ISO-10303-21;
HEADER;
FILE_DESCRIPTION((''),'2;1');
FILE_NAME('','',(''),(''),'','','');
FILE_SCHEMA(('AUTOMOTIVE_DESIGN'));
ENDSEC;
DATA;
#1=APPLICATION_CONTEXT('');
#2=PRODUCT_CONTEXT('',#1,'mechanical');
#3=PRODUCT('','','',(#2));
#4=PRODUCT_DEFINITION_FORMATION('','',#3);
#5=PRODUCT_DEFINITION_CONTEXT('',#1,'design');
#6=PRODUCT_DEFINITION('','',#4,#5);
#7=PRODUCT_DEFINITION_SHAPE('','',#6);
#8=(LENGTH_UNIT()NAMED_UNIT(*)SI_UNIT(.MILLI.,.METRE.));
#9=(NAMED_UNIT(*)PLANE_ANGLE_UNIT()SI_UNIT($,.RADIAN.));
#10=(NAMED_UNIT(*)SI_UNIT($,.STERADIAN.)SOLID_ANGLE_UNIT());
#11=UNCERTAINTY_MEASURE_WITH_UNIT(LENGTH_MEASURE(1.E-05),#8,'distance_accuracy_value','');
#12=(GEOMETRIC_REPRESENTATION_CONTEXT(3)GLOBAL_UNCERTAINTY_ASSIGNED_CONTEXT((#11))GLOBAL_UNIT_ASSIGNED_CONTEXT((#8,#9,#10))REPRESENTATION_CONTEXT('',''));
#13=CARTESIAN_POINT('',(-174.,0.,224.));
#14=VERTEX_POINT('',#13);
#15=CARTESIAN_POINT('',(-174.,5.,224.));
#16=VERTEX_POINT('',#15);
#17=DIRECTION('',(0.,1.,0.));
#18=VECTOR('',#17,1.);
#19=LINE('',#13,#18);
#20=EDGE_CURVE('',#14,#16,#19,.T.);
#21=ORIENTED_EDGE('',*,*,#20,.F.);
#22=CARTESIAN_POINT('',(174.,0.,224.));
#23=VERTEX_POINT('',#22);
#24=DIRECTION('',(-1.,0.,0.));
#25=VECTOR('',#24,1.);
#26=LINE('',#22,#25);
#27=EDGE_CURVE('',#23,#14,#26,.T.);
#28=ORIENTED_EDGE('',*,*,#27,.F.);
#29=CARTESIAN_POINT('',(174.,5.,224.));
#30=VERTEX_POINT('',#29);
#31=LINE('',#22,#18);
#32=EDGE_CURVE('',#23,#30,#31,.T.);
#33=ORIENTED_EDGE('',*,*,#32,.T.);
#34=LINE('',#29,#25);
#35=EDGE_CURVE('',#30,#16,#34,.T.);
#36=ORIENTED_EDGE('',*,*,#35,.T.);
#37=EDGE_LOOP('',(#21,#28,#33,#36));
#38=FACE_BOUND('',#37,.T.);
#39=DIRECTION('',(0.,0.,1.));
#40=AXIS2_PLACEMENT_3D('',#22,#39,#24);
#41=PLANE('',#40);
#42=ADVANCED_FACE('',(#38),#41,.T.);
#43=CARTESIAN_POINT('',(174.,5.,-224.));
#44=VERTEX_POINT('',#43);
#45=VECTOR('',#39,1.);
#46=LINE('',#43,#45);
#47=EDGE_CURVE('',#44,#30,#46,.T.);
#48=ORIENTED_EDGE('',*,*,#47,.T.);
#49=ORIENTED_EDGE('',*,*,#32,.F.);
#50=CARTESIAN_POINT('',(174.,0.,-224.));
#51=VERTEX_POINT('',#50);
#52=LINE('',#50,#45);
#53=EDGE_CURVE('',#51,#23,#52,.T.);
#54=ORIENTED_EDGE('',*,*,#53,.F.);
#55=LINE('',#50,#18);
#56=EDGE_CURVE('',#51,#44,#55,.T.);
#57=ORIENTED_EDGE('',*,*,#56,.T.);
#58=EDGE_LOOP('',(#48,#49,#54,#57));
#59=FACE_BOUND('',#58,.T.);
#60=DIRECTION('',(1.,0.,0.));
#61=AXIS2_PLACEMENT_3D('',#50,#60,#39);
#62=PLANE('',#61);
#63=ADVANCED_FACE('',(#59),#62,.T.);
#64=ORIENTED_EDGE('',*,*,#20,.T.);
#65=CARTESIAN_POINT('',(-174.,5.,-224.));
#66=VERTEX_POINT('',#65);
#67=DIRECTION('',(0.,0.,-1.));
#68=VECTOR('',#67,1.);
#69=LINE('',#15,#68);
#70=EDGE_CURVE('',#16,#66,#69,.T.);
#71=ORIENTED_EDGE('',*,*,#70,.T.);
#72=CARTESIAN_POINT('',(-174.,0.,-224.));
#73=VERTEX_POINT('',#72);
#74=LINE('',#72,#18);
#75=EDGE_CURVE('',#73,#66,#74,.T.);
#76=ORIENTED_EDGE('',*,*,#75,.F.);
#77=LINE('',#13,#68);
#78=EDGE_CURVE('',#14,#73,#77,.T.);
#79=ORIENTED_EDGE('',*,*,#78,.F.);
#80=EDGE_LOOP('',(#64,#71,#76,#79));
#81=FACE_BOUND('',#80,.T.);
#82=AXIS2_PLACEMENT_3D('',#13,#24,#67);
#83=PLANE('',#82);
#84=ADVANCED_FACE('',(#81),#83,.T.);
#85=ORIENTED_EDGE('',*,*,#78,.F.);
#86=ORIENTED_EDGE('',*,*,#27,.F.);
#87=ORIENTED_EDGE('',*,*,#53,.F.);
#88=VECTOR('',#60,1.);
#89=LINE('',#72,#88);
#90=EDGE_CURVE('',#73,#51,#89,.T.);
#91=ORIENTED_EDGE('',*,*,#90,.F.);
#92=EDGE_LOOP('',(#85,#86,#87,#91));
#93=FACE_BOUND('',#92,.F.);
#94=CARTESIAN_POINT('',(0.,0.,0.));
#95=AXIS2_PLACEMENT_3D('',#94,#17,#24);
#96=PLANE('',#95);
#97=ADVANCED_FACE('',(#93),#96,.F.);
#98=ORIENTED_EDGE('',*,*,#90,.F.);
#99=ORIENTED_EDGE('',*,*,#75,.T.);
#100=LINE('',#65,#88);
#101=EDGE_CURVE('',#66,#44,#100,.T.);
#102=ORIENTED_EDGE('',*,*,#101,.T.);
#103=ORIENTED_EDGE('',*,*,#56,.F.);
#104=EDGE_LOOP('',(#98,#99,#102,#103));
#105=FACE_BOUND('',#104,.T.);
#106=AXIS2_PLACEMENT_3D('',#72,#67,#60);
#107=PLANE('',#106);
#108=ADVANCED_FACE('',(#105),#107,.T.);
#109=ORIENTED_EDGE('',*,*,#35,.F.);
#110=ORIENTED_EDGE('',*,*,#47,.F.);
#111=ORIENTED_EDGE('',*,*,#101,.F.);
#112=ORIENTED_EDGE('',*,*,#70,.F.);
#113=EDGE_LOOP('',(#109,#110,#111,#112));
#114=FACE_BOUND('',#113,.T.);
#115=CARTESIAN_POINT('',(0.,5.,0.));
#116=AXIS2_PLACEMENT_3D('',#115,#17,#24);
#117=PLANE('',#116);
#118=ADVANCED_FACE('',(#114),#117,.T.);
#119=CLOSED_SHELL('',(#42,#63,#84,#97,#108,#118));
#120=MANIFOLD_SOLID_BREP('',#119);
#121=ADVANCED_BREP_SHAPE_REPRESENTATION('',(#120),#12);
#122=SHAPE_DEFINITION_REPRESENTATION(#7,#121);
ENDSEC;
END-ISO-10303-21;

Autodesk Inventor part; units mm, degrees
ref_plane "YZ Plane" through (0, 0, 0) normal (1, 0, 0) x (0, 1, 0)
ref_plane "XZ Plane" through (0, 0, 0) normal (0, 1, 0) x (-1, 0, 0)
ref_plane "XY Plane" through (0, 0, 0) normal (0, 0, 1) x (1, 0, 0)
sketch "Sketch1" plane through (0, 0, 0) normal (0, 1, 0) x (-1, 0, 0)
  line L0 (-174, 224) -> (174, 224)
  line L1 (174, 224) -> (174, -224)
  line L2 (174, -224) -> (-174, -224)
  line L3 (-174, -224) -> (-174, 224)
  line L4 (-174, 224) -> (174, -224) construction
  line L5 (174, 224) -> (-174, -224) construction
  point P0 (0, 0)
  dimension "d0" = 348
  dimension "d1" = 448
extrude "Extrusion1" add sketch "Sketch1" along normal blind 5
properties part number "base"
